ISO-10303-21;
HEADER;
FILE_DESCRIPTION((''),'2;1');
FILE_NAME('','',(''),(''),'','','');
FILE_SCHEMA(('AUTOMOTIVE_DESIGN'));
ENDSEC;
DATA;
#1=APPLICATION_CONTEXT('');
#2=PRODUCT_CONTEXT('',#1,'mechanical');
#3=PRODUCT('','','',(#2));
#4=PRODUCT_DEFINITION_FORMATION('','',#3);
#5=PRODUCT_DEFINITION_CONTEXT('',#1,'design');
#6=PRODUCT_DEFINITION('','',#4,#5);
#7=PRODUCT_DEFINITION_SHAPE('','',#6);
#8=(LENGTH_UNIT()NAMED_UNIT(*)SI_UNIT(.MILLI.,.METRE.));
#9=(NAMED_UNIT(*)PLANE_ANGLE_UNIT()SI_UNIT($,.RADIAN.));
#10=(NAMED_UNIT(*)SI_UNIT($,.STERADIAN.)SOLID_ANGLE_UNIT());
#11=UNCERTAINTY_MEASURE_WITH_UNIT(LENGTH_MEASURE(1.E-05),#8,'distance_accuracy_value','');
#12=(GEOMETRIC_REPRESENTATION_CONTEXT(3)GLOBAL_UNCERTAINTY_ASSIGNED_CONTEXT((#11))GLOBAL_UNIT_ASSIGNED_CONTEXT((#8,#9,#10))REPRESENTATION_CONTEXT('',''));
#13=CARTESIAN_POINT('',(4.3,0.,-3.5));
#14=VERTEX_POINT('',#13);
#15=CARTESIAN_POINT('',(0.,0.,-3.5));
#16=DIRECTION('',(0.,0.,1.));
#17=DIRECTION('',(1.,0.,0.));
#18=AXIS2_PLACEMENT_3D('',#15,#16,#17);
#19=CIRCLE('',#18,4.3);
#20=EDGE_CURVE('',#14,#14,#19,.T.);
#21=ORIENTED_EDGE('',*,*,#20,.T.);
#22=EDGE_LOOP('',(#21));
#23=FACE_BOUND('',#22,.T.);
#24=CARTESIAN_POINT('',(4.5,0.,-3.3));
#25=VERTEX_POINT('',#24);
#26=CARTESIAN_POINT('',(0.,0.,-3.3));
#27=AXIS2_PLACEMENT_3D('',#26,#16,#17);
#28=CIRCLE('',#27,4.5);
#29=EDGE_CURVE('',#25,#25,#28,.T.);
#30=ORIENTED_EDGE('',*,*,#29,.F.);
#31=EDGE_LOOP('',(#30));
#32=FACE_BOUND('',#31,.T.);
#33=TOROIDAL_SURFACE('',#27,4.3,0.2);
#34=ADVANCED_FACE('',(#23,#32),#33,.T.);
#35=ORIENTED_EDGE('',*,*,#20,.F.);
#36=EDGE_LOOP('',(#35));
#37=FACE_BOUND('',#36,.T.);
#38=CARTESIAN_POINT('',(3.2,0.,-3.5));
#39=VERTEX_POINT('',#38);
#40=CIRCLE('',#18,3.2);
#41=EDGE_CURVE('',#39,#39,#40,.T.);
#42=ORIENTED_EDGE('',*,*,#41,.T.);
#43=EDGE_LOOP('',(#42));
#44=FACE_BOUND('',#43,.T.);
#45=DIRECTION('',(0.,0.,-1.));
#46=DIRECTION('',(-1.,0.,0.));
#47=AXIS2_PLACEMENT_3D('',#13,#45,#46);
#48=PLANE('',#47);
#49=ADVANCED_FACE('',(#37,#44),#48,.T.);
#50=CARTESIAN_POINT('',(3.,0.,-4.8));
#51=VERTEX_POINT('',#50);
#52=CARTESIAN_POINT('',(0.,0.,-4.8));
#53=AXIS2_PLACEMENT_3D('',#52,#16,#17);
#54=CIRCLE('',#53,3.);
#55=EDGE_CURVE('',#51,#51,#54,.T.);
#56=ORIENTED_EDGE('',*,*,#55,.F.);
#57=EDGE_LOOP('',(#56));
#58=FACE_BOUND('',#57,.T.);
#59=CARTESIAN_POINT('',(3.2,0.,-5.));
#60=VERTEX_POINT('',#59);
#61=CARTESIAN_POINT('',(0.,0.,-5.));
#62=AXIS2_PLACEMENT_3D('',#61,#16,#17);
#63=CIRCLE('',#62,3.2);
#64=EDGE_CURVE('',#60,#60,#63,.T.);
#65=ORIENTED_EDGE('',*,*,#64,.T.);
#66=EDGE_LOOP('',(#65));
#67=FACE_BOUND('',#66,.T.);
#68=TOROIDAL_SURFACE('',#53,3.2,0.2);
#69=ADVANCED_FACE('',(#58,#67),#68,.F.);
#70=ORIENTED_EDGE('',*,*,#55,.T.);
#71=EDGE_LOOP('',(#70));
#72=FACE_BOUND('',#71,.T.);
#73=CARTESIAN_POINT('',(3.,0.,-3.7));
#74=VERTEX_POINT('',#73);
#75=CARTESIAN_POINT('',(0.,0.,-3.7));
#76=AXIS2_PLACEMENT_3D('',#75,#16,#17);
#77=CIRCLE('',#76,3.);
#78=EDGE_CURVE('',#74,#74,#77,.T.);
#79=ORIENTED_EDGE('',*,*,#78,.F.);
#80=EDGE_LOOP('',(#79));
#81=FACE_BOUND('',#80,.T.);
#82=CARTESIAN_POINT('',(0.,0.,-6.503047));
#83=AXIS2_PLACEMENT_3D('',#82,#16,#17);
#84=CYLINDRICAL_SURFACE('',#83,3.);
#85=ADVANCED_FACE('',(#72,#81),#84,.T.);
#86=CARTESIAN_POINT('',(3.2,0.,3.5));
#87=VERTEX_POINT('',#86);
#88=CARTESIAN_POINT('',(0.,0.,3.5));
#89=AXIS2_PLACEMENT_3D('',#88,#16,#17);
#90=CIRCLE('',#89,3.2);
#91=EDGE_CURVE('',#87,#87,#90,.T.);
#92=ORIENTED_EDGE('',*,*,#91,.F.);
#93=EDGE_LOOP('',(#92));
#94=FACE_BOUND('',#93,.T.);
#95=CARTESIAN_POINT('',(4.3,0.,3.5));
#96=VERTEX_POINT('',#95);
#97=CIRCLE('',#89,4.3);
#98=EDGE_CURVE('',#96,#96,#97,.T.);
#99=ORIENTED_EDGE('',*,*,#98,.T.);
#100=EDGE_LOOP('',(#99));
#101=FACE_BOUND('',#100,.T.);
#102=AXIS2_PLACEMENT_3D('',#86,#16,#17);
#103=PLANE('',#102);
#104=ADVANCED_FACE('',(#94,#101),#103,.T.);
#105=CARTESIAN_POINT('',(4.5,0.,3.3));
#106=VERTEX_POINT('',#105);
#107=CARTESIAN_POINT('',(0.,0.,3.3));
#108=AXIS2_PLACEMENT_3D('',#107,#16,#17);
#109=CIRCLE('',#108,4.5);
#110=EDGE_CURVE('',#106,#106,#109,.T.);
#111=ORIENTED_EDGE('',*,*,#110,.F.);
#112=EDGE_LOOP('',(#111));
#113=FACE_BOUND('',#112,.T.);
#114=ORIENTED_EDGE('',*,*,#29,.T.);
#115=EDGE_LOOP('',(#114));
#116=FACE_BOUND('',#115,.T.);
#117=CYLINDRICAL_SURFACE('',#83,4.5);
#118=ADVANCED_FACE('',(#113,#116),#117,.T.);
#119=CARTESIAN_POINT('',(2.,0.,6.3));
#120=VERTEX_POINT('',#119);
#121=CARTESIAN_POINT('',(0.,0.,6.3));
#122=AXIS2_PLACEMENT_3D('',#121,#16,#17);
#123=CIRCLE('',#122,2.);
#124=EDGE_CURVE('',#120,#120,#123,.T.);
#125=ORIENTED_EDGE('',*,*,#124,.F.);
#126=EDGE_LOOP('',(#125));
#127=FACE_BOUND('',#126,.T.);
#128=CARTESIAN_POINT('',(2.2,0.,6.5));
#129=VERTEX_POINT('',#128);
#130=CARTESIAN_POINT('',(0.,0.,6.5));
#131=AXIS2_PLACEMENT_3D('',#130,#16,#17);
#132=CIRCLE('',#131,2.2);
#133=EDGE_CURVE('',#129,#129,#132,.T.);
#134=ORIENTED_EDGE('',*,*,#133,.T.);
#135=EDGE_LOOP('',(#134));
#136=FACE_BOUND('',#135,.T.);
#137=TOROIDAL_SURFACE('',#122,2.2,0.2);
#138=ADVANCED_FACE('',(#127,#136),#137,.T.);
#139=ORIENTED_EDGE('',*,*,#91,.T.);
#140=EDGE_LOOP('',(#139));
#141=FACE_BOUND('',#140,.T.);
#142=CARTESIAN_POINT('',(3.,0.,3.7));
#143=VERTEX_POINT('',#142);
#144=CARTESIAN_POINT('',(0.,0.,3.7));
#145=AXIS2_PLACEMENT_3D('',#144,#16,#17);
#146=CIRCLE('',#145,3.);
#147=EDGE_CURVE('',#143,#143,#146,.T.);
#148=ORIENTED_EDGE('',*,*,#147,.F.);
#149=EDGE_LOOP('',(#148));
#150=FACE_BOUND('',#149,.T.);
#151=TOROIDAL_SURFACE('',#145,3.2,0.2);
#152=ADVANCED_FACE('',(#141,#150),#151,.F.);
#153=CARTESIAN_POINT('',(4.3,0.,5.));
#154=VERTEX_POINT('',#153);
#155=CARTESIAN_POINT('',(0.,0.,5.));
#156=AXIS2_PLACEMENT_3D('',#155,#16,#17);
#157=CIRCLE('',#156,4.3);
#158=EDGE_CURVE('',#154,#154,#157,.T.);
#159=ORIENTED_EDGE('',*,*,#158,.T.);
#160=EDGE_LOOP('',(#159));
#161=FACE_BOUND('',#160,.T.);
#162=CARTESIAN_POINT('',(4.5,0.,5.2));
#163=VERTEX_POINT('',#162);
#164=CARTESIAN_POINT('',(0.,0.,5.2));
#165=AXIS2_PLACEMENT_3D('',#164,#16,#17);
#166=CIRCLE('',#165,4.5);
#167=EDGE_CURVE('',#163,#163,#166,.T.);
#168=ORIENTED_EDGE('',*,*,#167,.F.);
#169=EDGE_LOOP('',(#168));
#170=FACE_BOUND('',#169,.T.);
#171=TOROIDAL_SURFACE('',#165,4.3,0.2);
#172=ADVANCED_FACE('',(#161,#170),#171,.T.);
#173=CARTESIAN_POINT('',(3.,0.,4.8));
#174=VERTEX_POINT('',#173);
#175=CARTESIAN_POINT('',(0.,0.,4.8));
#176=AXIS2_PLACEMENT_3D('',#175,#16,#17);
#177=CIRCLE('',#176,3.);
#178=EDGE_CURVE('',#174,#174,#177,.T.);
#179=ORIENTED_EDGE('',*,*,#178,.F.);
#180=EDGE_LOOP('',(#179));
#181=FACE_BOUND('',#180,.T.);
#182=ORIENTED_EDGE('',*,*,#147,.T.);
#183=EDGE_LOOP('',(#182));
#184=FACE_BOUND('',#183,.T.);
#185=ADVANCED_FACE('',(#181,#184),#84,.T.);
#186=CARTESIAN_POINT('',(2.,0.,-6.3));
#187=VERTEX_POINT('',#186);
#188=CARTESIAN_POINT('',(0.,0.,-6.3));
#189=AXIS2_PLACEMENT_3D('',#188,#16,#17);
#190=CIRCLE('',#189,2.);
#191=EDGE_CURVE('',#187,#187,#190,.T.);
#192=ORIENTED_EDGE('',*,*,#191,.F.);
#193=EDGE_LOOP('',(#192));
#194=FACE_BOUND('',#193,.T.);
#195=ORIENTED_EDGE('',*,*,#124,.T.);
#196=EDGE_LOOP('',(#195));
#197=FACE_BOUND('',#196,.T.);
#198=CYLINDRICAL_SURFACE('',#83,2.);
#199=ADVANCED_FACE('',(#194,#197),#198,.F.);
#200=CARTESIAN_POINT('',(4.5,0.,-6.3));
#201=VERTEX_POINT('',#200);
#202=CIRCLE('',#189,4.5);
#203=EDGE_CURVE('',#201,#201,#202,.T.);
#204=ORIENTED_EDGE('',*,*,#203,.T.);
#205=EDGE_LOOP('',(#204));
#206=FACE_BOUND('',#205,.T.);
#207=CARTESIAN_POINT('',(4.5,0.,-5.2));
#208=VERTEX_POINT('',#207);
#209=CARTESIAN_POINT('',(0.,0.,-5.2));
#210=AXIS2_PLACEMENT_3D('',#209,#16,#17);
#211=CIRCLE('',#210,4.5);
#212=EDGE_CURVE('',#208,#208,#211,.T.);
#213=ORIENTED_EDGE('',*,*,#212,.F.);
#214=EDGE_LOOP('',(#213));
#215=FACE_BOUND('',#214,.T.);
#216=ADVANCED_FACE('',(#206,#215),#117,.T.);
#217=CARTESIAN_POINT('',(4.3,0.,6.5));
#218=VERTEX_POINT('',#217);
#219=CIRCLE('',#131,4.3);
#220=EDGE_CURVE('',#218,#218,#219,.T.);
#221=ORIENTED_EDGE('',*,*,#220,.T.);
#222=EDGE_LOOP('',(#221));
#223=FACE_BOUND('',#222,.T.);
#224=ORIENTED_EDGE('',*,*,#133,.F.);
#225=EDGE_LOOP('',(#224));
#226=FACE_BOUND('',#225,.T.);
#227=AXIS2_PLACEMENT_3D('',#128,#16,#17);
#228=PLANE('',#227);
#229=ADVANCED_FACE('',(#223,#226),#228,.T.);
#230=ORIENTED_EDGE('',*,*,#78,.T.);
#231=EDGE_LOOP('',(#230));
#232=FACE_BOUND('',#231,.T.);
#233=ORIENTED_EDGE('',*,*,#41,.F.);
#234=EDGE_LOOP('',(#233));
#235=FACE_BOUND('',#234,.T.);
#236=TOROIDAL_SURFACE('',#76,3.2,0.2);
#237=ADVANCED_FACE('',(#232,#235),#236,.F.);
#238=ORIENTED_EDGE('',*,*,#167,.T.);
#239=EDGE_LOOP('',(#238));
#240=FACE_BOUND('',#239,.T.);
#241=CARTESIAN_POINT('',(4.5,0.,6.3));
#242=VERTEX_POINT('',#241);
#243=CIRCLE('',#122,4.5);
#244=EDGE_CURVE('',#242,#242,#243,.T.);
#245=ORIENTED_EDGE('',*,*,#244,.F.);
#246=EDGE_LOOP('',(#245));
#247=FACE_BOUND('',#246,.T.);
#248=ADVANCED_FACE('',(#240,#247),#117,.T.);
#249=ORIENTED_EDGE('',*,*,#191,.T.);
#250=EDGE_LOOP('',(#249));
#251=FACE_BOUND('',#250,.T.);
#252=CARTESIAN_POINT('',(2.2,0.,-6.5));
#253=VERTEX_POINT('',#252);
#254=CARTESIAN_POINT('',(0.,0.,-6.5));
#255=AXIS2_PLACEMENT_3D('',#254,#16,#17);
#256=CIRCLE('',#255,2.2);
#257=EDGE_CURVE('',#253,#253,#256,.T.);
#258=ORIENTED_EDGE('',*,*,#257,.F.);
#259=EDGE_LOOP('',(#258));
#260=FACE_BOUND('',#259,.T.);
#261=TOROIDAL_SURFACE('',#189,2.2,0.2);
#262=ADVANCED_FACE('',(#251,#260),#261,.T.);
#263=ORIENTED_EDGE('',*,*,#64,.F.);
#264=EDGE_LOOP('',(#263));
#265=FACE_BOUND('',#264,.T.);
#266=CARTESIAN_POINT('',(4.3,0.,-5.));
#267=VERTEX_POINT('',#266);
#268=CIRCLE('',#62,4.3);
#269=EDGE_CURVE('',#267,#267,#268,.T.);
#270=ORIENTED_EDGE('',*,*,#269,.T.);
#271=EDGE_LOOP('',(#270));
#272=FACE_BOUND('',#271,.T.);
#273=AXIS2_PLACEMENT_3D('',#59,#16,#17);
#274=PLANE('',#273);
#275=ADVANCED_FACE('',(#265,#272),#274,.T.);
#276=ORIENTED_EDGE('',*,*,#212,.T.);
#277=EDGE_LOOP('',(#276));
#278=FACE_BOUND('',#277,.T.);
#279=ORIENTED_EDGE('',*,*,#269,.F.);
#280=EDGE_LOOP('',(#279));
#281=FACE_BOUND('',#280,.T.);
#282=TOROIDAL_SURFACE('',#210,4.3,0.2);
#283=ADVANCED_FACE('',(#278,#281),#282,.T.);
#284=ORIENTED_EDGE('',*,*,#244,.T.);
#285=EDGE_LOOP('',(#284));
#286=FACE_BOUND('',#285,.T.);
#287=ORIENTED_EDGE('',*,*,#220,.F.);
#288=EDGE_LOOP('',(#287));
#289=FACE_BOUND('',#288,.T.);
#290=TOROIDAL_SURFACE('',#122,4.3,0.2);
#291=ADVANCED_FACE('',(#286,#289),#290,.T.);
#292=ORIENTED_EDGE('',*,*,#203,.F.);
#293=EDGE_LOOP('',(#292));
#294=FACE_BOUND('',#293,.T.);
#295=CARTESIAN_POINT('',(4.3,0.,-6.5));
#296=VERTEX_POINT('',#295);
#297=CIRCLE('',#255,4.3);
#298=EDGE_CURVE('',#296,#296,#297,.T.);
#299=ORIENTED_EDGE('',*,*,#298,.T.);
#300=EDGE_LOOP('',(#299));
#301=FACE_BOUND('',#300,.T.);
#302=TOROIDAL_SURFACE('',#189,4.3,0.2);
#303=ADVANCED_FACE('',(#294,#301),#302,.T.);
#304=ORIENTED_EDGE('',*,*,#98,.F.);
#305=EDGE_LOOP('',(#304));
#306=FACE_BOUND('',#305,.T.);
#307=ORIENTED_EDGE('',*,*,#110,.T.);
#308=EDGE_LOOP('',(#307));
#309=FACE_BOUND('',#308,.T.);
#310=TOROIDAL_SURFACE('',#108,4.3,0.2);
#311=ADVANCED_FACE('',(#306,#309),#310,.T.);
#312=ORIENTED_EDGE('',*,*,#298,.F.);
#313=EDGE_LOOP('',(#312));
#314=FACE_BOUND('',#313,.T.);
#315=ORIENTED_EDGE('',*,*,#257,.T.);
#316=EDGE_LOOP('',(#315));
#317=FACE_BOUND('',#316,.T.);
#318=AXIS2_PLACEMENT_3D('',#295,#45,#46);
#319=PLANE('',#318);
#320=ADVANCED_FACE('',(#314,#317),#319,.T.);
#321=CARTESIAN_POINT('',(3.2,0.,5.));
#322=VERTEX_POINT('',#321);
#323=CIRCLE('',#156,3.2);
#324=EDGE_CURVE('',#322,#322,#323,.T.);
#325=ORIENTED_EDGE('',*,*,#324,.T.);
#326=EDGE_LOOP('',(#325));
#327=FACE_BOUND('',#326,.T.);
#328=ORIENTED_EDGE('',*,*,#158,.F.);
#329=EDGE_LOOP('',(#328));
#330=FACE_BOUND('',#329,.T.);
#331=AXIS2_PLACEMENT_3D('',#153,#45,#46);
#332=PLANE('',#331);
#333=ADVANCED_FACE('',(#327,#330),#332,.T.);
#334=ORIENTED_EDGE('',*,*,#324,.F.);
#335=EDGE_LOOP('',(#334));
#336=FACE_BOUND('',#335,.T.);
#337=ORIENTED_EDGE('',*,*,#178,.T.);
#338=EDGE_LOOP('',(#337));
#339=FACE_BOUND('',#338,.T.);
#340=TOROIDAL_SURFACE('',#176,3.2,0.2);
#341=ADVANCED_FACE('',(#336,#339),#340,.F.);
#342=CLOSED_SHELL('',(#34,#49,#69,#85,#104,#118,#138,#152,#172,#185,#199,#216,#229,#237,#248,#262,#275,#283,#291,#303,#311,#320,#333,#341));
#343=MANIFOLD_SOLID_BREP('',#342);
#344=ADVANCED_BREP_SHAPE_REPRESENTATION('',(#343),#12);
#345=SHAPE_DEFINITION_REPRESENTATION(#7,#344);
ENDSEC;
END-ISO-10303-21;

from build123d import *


with BuildPart() as part:
    # Sketch1 → Revolve1 (revolve)
    with BuildSketch(Plane(origin=(0, 0, 0), x_dir=(1, 0, 0), z_dir=(0, 1, 0))):
        with BuildLine():
            Line((2, 6.3), (2, -6.3))
            ThreePointArc((2, -6.3), (2.058578644, -6.441421356), (2.2, -6.5))
            Line((2.2, -6.5), (4.3, -6.5))
            ThreePointArc((4.3, -6.5), (4.441421356, -6.441421356), (4.5, -6.3))
            Line((4.5, -6.3), (4.5, -5.2))
            ThreePointArc((4.5, -5.2), (4.441421356, -5.058578644), (4.3, -5))
            Line((4.3, -5), (3.2, -5))
            ThreePointArc((3.2, -5), (3.058578644, -4.941421356), (3, -4.8))
            Line((3, -4.8), (3, -3.7))
            ThreePointArc((3, -3.7), (3.058578644, -3.558578644), (3.2, -3.5))
            Line((3.2, -3.5), (4.3, -3.5))
            ThreePointArc((4.3, -3.5), (4.441421356, -3.441421356), (4.5, -3.3))
            Line((4.5, -3.3), (4.5, 3.3))
            ThreePointArc((4.5, 3.3), (4.441421356, 3.441421356), (4.3, 3.5))
            Line((4.3, 3.5), (3.2, 3.5))
            ThreePointArc((3.2, 3.5), (3.058578644, 3.558578644), (3, 3.7))
            Line((3, 3.7), (3, 4.8))
            ThreePointArc((3, 4.8), (3.058578644, 4.941421356), (3.2, 5))
            Line((3.2, 5), (4.3, 5))
            ThreePointArc((4.3, 5), (4.441421356, 5.058578644), (4.5, 5.2))
            Line((4.5, 5.2), (4.5, 6.3))
            ThreePointArc((4.5, 6.3), (4.441421356, 6.441421356), (4.3, 6.5))
            Line((4.3, 6.5), (2.2, 6.5))
            ThreePointArc((2.2, 6.5), (2.058578644, 6.441421356), (2, 6.3))
        make_face()
    revolve(axis=Axis((0, 0, -6.503047056), (0, 0, 1)))


solid = part.part
